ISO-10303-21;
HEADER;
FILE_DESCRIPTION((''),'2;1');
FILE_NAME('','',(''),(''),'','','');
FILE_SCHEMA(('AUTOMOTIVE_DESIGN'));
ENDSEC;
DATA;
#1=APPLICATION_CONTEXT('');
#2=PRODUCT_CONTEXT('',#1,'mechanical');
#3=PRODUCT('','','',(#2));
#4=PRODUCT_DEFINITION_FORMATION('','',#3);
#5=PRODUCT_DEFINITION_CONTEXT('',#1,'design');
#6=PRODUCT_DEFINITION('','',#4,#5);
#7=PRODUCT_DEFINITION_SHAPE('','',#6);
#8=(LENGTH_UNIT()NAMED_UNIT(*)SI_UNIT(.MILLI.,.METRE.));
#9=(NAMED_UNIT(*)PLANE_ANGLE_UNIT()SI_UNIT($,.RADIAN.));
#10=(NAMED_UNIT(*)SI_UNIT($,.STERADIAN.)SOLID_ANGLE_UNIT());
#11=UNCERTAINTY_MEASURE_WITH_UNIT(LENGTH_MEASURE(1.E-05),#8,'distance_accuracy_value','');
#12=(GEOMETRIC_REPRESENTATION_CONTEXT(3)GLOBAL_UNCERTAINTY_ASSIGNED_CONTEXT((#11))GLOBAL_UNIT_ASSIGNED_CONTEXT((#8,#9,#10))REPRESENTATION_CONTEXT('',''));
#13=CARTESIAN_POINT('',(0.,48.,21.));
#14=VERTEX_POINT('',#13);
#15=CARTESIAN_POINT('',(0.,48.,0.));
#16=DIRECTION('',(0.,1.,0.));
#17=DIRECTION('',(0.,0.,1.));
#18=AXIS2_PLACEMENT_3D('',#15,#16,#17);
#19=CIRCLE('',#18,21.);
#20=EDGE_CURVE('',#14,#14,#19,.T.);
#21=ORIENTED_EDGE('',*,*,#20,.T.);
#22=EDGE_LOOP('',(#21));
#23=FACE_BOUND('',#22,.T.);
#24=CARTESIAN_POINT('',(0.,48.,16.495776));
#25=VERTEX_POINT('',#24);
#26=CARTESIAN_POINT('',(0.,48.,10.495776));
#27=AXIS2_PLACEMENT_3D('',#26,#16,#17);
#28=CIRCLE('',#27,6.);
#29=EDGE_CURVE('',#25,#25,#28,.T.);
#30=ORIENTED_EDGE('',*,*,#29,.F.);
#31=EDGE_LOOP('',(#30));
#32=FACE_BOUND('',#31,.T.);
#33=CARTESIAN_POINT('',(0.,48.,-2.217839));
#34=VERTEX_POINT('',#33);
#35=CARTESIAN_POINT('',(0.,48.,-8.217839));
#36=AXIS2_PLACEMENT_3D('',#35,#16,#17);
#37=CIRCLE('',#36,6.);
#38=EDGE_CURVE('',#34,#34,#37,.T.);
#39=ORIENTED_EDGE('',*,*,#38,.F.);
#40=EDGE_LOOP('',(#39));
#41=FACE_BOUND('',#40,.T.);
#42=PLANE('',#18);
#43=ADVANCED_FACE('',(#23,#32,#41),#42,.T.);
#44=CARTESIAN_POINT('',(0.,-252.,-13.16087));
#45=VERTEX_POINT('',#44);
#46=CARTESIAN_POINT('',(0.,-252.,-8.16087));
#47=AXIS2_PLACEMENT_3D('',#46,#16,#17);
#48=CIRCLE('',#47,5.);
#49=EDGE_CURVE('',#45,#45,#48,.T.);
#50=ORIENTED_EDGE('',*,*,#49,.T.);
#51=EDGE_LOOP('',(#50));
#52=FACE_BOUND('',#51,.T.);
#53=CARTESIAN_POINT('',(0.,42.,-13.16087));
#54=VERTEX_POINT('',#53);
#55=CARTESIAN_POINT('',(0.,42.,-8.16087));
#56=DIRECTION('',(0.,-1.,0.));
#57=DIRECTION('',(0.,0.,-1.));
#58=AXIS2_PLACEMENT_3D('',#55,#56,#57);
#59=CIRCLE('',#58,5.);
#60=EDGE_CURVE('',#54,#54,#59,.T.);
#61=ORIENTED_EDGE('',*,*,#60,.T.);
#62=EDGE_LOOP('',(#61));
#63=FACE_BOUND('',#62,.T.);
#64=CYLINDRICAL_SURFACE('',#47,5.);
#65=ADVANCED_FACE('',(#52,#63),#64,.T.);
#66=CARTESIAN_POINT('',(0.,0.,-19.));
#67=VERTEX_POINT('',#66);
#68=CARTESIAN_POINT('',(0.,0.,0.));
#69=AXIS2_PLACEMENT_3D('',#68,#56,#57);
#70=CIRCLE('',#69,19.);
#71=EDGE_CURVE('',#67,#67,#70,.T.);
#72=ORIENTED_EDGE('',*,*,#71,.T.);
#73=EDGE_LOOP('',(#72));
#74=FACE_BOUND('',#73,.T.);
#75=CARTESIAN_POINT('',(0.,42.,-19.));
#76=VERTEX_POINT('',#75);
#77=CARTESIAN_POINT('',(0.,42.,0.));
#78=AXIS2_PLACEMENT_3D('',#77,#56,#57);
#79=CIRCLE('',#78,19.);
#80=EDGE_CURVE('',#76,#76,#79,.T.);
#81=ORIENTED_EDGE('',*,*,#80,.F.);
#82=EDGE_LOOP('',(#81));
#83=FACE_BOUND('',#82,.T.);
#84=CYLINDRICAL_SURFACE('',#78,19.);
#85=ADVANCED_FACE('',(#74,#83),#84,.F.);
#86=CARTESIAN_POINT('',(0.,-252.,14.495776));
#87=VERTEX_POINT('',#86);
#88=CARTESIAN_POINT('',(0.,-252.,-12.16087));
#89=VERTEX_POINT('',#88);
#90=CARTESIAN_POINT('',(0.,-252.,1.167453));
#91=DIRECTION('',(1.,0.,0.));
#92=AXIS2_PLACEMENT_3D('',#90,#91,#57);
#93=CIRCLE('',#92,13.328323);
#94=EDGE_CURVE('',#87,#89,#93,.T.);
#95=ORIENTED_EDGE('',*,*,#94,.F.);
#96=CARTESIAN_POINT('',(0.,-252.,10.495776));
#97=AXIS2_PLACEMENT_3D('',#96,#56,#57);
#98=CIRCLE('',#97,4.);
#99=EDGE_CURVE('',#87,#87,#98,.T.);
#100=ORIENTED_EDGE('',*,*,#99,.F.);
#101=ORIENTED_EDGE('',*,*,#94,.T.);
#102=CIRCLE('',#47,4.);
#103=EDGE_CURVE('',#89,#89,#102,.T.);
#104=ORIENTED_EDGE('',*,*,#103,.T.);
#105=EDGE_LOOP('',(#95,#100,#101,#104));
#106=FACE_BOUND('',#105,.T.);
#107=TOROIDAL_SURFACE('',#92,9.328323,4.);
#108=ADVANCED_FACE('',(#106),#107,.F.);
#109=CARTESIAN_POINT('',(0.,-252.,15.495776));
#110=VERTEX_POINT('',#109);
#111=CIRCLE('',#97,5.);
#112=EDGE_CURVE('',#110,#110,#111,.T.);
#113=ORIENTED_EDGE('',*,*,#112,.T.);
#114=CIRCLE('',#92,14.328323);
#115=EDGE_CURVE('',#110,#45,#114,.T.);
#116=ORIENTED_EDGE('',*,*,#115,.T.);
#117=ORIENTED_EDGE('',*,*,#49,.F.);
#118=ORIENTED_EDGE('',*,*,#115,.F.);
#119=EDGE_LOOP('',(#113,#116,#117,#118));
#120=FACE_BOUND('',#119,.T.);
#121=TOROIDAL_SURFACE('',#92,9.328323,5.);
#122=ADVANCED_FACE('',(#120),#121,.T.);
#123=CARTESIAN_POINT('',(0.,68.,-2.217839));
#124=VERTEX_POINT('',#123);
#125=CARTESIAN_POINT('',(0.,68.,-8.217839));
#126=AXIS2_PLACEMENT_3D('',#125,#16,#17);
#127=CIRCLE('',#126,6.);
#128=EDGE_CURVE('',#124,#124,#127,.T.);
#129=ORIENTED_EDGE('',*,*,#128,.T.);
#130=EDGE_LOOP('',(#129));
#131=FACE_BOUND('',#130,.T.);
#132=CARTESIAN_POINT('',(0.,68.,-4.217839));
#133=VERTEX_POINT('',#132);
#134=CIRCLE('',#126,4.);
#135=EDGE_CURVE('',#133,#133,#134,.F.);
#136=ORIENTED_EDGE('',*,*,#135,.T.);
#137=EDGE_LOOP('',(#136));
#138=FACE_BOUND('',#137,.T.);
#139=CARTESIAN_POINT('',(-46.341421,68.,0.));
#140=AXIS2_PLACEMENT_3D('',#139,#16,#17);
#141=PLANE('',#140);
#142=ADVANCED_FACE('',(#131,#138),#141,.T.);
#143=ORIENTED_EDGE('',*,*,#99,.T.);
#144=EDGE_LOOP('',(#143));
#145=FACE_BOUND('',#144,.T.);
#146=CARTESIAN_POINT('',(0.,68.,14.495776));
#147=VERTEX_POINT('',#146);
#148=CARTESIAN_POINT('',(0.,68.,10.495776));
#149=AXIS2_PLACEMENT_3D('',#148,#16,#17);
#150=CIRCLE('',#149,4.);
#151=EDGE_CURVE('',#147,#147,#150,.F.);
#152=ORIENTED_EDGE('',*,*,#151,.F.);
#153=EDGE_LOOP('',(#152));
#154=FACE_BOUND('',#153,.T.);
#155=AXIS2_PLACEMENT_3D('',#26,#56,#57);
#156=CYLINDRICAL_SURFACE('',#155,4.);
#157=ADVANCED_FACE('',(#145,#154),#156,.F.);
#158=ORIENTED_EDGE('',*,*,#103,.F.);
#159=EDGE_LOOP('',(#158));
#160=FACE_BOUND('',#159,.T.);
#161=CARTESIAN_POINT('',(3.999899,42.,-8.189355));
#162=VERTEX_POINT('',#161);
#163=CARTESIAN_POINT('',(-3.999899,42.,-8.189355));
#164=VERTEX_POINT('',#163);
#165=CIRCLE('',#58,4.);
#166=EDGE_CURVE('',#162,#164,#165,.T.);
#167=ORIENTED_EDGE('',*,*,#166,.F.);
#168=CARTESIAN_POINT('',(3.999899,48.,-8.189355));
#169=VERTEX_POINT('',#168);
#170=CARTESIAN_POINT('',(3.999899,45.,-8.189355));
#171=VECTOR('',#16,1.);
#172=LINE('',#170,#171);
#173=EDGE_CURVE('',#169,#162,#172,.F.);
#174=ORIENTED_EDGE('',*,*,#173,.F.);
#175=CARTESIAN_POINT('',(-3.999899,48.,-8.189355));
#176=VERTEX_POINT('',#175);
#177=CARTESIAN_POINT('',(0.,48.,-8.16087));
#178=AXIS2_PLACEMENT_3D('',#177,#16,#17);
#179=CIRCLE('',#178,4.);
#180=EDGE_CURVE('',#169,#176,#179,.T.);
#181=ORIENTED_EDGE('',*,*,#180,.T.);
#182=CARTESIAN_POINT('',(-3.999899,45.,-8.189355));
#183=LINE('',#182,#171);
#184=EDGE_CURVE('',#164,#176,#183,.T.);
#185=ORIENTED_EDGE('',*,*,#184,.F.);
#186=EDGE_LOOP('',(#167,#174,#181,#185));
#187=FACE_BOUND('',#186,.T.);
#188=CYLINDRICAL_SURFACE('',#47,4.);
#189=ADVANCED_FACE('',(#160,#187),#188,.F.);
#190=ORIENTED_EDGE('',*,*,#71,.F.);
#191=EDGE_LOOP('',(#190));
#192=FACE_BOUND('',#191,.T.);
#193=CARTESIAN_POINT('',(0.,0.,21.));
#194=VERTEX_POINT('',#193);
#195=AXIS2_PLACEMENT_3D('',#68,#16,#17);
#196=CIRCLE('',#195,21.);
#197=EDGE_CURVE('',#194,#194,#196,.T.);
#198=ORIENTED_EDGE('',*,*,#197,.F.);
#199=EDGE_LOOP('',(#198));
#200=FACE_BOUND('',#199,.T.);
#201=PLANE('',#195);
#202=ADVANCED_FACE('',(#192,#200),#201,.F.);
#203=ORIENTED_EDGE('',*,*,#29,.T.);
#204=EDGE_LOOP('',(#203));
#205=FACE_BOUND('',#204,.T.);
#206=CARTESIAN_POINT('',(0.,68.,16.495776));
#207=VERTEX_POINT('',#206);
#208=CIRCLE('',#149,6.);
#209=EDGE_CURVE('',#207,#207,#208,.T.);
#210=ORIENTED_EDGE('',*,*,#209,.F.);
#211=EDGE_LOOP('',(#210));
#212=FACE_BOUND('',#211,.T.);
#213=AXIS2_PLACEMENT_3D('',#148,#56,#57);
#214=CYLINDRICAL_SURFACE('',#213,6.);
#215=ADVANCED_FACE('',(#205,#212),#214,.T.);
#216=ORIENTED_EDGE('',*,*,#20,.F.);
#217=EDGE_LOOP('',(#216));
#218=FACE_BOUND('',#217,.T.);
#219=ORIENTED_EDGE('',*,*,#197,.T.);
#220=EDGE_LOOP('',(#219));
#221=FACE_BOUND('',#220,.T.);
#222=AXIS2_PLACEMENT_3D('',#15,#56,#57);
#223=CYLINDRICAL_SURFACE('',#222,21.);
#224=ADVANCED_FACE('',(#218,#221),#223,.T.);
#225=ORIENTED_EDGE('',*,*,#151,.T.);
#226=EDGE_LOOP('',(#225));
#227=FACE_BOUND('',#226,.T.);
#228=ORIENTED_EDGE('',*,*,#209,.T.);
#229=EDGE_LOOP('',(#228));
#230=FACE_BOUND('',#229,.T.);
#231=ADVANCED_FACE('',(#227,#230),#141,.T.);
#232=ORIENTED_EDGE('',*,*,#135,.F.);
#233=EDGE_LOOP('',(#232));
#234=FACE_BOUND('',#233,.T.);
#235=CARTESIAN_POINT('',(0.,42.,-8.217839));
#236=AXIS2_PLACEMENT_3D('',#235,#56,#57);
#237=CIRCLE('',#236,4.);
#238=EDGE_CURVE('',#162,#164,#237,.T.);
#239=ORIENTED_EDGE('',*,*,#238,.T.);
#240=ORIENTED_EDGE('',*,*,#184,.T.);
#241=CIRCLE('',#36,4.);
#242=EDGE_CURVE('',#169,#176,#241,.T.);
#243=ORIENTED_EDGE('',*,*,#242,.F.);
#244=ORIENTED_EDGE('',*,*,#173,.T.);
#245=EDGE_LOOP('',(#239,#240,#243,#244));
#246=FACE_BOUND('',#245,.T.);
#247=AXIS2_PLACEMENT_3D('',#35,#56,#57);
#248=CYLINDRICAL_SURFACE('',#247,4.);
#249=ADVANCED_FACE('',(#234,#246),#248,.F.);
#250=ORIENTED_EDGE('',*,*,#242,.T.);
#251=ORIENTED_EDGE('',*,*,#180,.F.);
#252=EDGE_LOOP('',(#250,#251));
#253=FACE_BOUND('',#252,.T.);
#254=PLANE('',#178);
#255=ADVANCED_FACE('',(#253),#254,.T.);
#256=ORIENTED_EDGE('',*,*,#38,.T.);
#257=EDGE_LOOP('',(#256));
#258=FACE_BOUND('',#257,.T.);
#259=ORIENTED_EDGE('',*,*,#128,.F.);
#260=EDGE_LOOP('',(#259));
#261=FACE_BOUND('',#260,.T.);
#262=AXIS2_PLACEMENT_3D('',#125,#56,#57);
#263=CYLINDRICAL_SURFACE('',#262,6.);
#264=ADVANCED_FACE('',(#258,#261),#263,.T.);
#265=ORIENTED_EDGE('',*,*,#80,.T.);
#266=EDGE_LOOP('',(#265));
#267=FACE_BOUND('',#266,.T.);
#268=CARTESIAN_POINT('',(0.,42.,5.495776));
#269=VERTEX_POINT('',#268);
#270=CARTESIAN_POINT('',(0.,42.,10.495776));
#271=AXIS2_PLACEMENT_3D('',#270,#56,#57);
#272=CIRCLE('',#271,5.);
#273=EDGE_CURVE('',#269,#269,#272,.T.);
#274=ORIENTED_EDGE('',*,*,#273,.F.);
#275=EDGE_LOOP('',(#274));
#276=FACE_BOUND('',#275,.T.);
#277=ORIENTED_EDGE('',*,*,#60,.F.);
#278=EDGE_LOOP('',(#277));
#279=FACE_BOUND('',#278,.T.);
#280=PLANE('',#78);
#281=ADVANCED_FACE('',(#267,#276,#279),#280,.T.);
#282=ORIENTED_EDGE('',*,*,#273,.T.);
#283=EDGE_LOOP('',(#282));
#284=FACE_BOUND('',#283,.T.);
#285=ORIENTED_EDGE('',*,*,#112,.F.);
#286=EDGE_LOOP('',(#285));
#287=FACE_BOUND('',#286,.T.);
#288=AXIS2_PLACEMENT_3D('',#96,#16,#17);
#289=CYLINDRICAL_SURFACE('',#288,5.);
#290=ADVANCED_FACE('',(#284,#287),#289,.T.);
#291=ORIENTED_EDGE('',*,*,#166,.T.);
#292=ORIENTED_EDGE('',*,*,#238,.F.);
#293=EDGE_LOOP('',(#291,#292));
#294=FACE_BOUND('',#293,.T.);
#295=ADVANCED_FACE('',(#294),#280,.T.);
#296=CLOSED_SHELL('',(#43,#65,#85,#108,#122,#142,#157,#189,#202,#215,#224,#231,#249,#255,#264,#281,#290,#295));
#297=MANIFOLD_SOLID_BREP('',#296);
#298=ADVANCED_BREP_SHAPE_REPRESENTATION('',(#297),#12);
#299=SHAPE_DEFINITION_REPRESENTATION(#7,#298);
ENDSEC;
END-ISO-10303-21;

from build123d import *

# Parameters (mm, degrees)
SKETCH1_R           = 21
SKETCH1_R_2         = 4
BOSS_EXTRUDE1_DEPTH = 48
SKETCH2_R           = 19
CUT_EXTRUDE1_DEPTH  = 42
SKETCH3_R           = 6
SKETCH3_R_2         = 4
BOSS_EXTRUDE2_DEPTH = 20
SKETCH7_R           = 5
SKETCH7_R_2         = 4


with BuildPart() as part:
    # Sketch1 → Boss-Extrude1 (new body)
    with BuildSketch(Plane(origin=(0, 0, 0), x_dir=(1, 0, 0), z_dir=(0, 1, 0))):
        Circle(SKETCH1_R)
        with Locations((0, -10.495775772)):
            Circle(SKETCH1_R_2, mode=Mode.SUBTRACT)
        with Locations((0, 8.217839423)):
            Circle(SKETCH1_R_2, mode=Mode.SUBTRACT)
    extrude(amount=BOSS_EXTRUDE1_DEPTH)

    # Sketch2 → Cut-Extrude1 (cut)
    with BuildSketch(Plane.XZ):
        Circle(SKETCH2_R)
    extrude(amount=-CUT_EXTRUDE1_DEPTH, mode=Mode.SUBTRACT)

    # Sketch3 → Boss-Extrude2 (add)
    with BuildSketch(Plane(origin=(0, 48, 0), x_dir=(1, 0, 0), z_dir=(0, 1, 0))):
        with Locations((0, 8.217839423)):
            Circle(SKETCH3_R)
        with Locations((0, 8.217839423)):
            Circle(SKETCH3_R_2, mode=Mode.SUBTRACT)
        with Locations((0, -10.495775772)):
            Circle(SKETCH3_R)
        with Locations((0, -10.495775772)):
            Circle(SKETCH3_R_2, mode=Mode.SUBTRACT)
    extrude(amount=BOSS_EXTRUDE2_DEPTH)

    # Sweep9: sweep along a path in Sketch4
    with BuildLine(Plane(origin=(0, 0, 0), x_dir=(0, 0, -1), z_dir=(1, 0, 0))) as sweep9_path:
        Line((8.160870432, 48), (8.160870432, -252))
        ThreePointArc((8.160870432, -252), (-1.16745267, -261.328323102), (-10.495775772, -252))
        Line((-10.495775772, -252), (-10.495775772, 48))
    # Sketch7 → Sweep9 (sweep)
    with BuildSketch(Plane.XZ.offset(-42)):
        with Locations((0, 10.495775772)):
            Circle(SKETCH7_R)
        with Locations((0, 10.495775772)):
            Circle(SKETCH7_R_2, mode=Mode.SUBTRACT)
    sweep(path=sweep9_path.line)


solid = part.part
